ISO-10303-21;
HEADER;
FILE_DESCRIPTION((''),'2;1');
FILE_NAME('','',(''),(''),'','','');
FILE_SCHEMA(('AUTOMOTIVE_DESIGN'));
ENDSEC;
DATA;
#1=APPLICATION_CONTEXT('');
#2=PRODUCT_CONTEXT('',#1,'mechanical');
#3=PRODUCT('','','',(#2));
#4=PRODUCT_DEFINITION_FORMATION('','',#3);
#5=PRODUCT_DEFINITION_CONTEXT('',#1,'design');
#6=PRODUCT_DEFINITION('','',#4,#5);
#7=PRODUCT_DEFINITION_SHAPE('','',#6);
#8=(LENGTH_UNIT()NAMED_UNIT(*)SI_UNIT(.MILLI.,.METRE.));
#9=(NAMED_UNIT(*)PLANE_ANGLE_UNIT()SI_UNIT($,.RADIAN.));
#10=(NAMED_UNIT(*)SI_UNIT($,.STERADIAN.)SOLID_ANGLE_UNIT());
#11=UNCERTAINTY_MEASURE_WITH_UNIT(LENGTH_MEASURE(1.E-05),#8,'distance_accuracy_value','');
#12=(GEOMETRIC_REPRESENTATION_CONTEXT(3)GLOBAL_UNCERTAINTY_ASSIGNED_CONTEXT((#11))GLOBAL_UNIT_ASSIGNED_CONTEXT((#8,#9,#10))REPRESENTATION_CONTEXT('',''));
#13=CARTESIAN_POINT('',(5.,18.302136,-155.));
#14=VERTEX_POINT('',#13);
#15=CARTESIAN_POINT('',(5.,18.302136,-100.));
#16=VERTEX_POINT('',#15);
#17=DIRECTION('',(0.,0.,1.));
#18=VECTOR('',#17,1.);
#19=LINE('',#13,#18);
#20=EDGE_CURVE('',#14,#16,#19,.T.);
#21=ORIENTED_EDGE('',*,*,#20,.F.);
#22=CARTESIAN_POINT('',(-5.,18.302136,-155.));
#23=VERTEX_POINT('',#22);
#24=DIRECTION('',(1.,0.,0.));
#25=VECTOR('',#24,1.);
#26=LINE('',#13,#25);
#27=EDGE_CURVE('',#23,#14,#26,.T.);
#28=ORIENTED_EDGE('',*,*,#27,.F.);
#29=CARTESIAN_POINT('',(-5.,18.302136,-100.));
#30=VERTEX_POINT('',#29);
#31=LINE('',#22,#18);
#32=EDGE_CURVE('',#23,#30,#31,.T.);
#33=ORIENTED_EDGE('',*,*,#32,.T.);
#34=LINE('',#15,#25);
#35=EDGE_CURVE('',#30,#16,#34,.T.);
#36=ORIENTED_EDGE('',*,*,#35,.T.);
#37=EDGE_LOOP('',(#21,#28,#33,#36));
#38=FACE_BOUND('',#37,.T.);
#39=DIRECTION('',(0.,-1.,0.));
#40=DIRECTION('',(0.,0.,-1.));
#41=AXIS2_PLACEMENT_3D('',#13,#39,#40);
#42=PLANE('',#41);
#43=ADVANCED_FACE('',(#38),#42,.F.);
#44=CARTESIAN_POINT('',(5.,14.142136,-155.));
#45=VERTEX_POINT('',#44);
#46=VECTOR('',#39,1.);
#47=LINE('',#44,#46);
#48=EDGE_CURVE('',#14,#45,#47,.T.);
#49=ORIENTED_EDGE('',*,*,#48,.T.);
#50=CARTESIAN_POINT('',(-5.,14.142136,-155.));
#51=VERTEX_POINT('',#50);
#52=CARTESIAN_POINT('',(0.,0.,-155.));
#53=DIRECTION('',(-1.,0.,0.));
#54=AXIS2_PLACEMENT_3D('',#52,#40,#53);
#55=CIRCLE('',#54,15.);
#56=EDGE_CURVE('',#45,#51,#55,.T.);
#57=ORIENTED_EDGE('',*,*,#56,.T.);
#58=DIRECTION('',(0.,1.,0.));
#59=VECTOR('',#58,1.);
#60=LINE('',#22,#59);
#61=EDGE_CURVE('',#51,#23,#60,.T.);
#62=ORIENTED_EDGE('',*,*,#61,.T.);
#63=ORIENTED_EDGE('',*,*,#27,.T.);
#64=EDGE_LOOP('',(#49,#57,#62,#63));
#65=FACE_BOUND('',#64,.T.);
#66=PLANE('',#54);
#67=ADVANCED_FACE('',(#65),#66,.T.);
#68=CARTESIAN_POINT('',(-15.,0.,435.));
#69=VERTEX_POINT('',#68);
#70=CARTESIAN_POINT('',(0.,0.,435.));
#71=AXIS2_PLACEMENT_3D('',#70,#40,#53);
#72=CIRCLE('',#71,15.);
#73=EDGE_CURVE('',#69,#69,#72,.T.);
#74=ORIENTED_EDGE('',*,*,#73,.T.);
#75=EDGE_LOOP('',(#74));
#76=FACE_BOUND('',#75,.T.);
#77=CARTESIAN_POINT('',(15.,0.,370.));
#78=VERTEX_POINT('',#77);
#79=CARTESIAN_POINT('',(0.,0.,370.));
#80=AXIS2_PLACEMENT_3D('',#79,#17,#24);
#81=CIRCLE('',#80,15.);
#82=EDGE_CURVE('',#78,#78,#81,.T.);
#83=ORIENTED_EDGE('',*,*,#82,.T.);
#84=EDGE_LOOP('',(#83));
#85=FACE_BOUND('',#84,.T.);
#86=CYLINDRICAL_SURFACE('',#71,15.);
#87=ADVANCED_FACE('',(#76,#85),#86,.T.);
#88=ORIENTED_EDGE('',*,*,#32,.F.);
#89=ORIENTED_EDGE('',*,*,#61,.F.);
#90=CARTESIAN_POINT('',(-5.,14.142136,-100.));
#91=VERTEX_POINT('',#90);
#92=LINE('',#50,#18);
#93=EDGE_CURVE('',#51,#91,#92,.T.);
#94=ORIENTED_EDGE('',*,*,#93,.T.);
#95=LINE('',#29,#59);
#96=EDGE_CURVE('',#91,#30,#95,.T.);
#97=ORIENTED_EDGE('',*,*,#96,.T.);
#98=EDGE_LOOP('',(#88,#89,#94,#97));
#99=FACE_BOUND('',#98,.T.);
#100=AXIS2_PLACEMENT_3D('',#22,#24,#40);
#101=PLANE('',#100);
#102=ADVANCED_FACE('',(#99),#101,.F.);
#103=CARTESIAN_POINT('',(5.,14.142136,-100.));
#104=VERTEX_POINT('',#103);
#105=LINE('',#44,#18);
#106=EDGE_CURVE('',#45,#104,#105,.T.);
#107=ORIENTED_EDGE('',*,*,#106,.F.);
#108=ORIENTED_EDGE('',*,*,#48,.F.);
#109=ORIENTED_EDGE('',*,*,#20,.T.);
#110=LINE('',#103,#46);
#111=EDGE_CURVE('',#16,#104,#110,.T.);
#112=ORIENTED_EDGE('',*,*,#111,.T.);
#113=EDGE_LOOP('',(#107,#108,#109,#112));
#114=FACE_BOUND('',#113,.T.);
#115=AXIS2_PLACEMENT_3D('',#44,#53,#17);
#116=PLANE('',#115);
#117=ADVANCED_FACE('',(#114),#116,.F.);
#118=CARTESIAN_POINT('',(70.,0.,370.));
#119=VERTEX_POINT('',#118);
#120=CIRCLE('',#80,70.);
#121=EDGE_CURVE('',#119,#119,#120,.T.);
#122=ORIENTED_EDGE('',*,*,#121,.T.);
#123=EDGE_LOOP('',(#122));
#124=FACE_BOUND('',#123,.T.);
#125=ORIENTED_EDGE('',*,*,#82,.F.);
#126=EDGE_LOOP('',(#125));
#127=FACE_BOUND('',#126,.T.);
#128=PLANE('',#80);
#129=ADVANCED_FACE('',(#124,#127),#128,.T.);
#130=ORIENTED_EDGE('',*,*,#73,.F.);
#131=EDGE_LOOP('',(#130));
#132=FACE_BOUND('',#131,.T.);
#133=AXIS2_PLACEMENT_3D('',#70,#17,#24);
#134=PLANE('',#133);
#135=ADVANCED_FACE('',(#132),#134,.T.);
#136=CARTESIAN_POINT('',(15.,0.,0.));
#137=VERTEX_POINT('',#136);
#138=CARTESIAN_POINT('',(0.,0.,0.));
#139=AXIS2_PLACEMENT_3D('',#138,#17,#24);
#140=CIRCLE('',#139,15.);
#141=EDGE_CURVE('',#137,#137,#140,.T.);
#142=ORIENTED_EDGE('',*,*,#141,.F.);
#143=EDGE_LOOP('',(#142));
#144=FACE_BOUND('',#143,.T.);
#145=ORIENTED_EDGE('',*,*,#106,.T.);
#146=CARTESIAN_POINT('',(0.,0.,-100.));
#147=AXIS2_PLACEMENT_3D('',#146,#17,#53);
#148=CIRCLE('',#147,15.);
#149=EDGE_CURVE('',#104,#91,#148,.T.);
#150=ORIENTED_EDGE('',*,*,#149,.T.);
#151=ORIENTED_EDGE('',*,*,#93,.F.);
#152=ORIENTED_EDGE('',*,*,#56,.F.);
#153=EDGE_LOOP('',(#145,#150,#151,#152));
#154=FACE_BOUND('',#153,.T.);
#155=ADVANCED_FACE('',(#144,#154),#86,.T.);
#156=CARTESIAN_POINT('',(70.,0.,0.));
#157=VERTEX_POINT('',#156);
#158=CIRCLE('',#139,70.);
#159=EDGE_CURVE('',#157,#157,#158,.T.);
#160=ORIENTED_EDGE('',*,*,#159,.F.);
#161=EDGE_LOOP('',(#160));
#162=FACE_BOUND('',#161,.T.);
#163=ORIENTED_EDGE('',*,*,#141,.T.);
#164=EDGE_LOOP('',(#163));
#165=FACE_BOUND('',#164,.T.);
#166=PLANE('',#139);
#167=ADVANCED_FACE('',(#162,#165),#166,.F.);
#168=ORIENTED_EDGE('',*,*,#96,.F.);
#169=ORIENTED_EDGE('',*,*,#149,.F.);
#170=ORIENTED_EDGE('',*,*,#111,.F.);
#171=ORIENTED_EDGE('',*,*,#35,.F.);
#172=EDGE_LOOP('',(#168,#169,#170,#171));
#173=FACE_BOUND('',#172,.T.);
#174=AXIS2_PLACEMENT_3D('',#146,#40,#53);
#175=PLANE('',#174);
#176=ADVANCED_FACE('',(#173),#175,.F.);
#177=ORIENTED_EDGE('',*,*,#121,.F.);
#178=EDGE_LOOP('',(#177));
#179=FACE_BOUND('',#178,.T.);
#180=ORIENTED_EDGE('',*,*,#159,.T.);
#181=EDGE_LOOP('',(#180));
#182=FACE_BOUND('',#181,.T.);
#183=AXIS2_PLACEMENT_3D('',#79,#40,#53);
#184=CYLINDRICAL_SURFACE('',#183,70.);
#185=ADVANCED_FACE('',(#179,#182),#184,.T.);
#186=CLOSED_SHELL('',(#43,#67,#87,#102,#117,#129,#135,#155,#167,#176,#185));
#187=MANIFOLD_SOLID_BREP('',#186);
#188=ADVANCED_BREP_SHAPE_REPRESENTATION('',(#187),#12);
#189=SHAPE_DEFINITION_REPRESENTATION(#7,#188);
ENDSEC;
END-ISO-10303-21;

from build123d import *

# Parameters (mm, degrees)
SKETCH1_R           = 70
BOSS_EXTRUDE1_DEPTH = 370
SKETCH4_R           = 10
BOSS_EXTRUDE2_DEPTH = 80
BOSS_EXTRUDE3_START = 100
SKETCH5_R           = 10
BOSS_EXTRUDE3_DEPTH = 100
CUT_EXTRUDE1_START  = -15
SKETCH6_R           = 10
CUT_EXTRUDE1_DEPTH  = 15
BOSS_EXTRUDE4_DEPTH = 25
SKETCH8_R           = 15
BOSS_EXTRUDE5_DEPTH = 535
BOSS_EXTRUDE7_DEPTH = 55
BOSS_EXTRUDE8_START = 55
SKETCH10_R          = 15
BOSS_EXTRUDE8_DEPTH = 55


with BuildPart() as part:
    # Sketch1 → Boss-Extrude1 (new body)
    with BuildSketch(Plane.XY):
        Circle(SKETCH1_R)
    extrude(amount=BOSS_EXTRUDE1_DEPTH)

    # Sketch4 → Boss-Extrude2 (add)
    with BuildSketch(Plane.XY.offset(370)):
        Circle(SKETCH4_R)
    extrude(amount=BOSS_EXTRUDE2_DEPTH)

    # Sketch5 → Boss-Extrude3 (add)
    with BuildSketch(Plane(origin=(0, 0, 0), x_dir=(-1, 0, 0), z_dir=(0, 0, -1)).offset(BOSS_EXTRUDE3_START)):
        with Locations(Location((0, 0, 0), (0, 0, 180))):
            Circle(SKETCH5_R)
    extrude(amount=-BOSS_EXTRUDE3_DEPTH)

    # Sketch6 → Cut-Extrude1 (cut)
    with BuildSketch(Plane.XY.offset(450).offset(CUT_EXTRUDE1_START)):
        Circle(SKETCH6_R)
    extrude(amount=CUT_EXTRUDE1_DEPTH, mode=Mode.SUBTRACT)

    # Sketch7 → Boss-Extrude4 (add)
    with BuildSketch(Plane(origin=(0, 0, -100), x_dir=(-1, 0, 0), z_dir=(0, 0, -1))):
        with BuildLine():
            Line((5, 8.660254038), (5, 12.820254038))
            Line((5, 12.820254038), (-5, 12.820254038))
            Line((-5, 12.820254038), (-5, 8.660254038))
            ThreePointArc((-5, 8.660254038), (0, 10), (5, 8.660254038))
        make_face()
    extrude(amount=-BOSS_EXTRUDE4_DEPTH)

    # Sketch8 → Boss-Extrude5 (add)
    with BuildSketch(Plane(origin=(0, 0, -100), x_dir=(-1, 0, 0), z_dir=(0, 0, -1))):
        Circle(SKETCH8_R)
    extrude(amount=-BOSS_EXTRUDE5_DEPTH)



with BuildPart() as body_2:
    # Sketch9 → Boss-Extrude7 (new body)
    with BuildSketch(Plane(origin=(0, 0, -100), x_dir=(-1, 0, 0), z_dir=(0, 0, -1))):
        with BuildLine():
            Line((-5, 14.142135624), (-5, 18.302135624))
            Line((-5, 18.302135624), (5, 18.302135624))
            Line((5, 18.302135624), (5, 14.142135624))
            ThreePointArc((5, 14.142135624), (0, 15), (-5, 14.142135624))
        make_face()
    extrude(amount=BOSS_EXTRUDE7_DEPTH)


with BuildPart() as part_1:
    add(part.part)

    add(body_2.part)  # Boss-Extrude8 merges body 2
    # Sketch10 → Boss-Extrude8 (add)
    with BuildSketch(Plane(origin=(0, 0, -100), x_dir=(-1, 0, 0), z_dir=(0, 0, -1)).offset(BOSS_EXTRUDE8_START)):
        with Locations(Location((0, 0, 0), (0, 0, 70.528779366))):
            Circle(SKETCH10_R)
    extrude(amount=-BOSS_EXTRUDE8_DEPTH)


solid = part_1.part
